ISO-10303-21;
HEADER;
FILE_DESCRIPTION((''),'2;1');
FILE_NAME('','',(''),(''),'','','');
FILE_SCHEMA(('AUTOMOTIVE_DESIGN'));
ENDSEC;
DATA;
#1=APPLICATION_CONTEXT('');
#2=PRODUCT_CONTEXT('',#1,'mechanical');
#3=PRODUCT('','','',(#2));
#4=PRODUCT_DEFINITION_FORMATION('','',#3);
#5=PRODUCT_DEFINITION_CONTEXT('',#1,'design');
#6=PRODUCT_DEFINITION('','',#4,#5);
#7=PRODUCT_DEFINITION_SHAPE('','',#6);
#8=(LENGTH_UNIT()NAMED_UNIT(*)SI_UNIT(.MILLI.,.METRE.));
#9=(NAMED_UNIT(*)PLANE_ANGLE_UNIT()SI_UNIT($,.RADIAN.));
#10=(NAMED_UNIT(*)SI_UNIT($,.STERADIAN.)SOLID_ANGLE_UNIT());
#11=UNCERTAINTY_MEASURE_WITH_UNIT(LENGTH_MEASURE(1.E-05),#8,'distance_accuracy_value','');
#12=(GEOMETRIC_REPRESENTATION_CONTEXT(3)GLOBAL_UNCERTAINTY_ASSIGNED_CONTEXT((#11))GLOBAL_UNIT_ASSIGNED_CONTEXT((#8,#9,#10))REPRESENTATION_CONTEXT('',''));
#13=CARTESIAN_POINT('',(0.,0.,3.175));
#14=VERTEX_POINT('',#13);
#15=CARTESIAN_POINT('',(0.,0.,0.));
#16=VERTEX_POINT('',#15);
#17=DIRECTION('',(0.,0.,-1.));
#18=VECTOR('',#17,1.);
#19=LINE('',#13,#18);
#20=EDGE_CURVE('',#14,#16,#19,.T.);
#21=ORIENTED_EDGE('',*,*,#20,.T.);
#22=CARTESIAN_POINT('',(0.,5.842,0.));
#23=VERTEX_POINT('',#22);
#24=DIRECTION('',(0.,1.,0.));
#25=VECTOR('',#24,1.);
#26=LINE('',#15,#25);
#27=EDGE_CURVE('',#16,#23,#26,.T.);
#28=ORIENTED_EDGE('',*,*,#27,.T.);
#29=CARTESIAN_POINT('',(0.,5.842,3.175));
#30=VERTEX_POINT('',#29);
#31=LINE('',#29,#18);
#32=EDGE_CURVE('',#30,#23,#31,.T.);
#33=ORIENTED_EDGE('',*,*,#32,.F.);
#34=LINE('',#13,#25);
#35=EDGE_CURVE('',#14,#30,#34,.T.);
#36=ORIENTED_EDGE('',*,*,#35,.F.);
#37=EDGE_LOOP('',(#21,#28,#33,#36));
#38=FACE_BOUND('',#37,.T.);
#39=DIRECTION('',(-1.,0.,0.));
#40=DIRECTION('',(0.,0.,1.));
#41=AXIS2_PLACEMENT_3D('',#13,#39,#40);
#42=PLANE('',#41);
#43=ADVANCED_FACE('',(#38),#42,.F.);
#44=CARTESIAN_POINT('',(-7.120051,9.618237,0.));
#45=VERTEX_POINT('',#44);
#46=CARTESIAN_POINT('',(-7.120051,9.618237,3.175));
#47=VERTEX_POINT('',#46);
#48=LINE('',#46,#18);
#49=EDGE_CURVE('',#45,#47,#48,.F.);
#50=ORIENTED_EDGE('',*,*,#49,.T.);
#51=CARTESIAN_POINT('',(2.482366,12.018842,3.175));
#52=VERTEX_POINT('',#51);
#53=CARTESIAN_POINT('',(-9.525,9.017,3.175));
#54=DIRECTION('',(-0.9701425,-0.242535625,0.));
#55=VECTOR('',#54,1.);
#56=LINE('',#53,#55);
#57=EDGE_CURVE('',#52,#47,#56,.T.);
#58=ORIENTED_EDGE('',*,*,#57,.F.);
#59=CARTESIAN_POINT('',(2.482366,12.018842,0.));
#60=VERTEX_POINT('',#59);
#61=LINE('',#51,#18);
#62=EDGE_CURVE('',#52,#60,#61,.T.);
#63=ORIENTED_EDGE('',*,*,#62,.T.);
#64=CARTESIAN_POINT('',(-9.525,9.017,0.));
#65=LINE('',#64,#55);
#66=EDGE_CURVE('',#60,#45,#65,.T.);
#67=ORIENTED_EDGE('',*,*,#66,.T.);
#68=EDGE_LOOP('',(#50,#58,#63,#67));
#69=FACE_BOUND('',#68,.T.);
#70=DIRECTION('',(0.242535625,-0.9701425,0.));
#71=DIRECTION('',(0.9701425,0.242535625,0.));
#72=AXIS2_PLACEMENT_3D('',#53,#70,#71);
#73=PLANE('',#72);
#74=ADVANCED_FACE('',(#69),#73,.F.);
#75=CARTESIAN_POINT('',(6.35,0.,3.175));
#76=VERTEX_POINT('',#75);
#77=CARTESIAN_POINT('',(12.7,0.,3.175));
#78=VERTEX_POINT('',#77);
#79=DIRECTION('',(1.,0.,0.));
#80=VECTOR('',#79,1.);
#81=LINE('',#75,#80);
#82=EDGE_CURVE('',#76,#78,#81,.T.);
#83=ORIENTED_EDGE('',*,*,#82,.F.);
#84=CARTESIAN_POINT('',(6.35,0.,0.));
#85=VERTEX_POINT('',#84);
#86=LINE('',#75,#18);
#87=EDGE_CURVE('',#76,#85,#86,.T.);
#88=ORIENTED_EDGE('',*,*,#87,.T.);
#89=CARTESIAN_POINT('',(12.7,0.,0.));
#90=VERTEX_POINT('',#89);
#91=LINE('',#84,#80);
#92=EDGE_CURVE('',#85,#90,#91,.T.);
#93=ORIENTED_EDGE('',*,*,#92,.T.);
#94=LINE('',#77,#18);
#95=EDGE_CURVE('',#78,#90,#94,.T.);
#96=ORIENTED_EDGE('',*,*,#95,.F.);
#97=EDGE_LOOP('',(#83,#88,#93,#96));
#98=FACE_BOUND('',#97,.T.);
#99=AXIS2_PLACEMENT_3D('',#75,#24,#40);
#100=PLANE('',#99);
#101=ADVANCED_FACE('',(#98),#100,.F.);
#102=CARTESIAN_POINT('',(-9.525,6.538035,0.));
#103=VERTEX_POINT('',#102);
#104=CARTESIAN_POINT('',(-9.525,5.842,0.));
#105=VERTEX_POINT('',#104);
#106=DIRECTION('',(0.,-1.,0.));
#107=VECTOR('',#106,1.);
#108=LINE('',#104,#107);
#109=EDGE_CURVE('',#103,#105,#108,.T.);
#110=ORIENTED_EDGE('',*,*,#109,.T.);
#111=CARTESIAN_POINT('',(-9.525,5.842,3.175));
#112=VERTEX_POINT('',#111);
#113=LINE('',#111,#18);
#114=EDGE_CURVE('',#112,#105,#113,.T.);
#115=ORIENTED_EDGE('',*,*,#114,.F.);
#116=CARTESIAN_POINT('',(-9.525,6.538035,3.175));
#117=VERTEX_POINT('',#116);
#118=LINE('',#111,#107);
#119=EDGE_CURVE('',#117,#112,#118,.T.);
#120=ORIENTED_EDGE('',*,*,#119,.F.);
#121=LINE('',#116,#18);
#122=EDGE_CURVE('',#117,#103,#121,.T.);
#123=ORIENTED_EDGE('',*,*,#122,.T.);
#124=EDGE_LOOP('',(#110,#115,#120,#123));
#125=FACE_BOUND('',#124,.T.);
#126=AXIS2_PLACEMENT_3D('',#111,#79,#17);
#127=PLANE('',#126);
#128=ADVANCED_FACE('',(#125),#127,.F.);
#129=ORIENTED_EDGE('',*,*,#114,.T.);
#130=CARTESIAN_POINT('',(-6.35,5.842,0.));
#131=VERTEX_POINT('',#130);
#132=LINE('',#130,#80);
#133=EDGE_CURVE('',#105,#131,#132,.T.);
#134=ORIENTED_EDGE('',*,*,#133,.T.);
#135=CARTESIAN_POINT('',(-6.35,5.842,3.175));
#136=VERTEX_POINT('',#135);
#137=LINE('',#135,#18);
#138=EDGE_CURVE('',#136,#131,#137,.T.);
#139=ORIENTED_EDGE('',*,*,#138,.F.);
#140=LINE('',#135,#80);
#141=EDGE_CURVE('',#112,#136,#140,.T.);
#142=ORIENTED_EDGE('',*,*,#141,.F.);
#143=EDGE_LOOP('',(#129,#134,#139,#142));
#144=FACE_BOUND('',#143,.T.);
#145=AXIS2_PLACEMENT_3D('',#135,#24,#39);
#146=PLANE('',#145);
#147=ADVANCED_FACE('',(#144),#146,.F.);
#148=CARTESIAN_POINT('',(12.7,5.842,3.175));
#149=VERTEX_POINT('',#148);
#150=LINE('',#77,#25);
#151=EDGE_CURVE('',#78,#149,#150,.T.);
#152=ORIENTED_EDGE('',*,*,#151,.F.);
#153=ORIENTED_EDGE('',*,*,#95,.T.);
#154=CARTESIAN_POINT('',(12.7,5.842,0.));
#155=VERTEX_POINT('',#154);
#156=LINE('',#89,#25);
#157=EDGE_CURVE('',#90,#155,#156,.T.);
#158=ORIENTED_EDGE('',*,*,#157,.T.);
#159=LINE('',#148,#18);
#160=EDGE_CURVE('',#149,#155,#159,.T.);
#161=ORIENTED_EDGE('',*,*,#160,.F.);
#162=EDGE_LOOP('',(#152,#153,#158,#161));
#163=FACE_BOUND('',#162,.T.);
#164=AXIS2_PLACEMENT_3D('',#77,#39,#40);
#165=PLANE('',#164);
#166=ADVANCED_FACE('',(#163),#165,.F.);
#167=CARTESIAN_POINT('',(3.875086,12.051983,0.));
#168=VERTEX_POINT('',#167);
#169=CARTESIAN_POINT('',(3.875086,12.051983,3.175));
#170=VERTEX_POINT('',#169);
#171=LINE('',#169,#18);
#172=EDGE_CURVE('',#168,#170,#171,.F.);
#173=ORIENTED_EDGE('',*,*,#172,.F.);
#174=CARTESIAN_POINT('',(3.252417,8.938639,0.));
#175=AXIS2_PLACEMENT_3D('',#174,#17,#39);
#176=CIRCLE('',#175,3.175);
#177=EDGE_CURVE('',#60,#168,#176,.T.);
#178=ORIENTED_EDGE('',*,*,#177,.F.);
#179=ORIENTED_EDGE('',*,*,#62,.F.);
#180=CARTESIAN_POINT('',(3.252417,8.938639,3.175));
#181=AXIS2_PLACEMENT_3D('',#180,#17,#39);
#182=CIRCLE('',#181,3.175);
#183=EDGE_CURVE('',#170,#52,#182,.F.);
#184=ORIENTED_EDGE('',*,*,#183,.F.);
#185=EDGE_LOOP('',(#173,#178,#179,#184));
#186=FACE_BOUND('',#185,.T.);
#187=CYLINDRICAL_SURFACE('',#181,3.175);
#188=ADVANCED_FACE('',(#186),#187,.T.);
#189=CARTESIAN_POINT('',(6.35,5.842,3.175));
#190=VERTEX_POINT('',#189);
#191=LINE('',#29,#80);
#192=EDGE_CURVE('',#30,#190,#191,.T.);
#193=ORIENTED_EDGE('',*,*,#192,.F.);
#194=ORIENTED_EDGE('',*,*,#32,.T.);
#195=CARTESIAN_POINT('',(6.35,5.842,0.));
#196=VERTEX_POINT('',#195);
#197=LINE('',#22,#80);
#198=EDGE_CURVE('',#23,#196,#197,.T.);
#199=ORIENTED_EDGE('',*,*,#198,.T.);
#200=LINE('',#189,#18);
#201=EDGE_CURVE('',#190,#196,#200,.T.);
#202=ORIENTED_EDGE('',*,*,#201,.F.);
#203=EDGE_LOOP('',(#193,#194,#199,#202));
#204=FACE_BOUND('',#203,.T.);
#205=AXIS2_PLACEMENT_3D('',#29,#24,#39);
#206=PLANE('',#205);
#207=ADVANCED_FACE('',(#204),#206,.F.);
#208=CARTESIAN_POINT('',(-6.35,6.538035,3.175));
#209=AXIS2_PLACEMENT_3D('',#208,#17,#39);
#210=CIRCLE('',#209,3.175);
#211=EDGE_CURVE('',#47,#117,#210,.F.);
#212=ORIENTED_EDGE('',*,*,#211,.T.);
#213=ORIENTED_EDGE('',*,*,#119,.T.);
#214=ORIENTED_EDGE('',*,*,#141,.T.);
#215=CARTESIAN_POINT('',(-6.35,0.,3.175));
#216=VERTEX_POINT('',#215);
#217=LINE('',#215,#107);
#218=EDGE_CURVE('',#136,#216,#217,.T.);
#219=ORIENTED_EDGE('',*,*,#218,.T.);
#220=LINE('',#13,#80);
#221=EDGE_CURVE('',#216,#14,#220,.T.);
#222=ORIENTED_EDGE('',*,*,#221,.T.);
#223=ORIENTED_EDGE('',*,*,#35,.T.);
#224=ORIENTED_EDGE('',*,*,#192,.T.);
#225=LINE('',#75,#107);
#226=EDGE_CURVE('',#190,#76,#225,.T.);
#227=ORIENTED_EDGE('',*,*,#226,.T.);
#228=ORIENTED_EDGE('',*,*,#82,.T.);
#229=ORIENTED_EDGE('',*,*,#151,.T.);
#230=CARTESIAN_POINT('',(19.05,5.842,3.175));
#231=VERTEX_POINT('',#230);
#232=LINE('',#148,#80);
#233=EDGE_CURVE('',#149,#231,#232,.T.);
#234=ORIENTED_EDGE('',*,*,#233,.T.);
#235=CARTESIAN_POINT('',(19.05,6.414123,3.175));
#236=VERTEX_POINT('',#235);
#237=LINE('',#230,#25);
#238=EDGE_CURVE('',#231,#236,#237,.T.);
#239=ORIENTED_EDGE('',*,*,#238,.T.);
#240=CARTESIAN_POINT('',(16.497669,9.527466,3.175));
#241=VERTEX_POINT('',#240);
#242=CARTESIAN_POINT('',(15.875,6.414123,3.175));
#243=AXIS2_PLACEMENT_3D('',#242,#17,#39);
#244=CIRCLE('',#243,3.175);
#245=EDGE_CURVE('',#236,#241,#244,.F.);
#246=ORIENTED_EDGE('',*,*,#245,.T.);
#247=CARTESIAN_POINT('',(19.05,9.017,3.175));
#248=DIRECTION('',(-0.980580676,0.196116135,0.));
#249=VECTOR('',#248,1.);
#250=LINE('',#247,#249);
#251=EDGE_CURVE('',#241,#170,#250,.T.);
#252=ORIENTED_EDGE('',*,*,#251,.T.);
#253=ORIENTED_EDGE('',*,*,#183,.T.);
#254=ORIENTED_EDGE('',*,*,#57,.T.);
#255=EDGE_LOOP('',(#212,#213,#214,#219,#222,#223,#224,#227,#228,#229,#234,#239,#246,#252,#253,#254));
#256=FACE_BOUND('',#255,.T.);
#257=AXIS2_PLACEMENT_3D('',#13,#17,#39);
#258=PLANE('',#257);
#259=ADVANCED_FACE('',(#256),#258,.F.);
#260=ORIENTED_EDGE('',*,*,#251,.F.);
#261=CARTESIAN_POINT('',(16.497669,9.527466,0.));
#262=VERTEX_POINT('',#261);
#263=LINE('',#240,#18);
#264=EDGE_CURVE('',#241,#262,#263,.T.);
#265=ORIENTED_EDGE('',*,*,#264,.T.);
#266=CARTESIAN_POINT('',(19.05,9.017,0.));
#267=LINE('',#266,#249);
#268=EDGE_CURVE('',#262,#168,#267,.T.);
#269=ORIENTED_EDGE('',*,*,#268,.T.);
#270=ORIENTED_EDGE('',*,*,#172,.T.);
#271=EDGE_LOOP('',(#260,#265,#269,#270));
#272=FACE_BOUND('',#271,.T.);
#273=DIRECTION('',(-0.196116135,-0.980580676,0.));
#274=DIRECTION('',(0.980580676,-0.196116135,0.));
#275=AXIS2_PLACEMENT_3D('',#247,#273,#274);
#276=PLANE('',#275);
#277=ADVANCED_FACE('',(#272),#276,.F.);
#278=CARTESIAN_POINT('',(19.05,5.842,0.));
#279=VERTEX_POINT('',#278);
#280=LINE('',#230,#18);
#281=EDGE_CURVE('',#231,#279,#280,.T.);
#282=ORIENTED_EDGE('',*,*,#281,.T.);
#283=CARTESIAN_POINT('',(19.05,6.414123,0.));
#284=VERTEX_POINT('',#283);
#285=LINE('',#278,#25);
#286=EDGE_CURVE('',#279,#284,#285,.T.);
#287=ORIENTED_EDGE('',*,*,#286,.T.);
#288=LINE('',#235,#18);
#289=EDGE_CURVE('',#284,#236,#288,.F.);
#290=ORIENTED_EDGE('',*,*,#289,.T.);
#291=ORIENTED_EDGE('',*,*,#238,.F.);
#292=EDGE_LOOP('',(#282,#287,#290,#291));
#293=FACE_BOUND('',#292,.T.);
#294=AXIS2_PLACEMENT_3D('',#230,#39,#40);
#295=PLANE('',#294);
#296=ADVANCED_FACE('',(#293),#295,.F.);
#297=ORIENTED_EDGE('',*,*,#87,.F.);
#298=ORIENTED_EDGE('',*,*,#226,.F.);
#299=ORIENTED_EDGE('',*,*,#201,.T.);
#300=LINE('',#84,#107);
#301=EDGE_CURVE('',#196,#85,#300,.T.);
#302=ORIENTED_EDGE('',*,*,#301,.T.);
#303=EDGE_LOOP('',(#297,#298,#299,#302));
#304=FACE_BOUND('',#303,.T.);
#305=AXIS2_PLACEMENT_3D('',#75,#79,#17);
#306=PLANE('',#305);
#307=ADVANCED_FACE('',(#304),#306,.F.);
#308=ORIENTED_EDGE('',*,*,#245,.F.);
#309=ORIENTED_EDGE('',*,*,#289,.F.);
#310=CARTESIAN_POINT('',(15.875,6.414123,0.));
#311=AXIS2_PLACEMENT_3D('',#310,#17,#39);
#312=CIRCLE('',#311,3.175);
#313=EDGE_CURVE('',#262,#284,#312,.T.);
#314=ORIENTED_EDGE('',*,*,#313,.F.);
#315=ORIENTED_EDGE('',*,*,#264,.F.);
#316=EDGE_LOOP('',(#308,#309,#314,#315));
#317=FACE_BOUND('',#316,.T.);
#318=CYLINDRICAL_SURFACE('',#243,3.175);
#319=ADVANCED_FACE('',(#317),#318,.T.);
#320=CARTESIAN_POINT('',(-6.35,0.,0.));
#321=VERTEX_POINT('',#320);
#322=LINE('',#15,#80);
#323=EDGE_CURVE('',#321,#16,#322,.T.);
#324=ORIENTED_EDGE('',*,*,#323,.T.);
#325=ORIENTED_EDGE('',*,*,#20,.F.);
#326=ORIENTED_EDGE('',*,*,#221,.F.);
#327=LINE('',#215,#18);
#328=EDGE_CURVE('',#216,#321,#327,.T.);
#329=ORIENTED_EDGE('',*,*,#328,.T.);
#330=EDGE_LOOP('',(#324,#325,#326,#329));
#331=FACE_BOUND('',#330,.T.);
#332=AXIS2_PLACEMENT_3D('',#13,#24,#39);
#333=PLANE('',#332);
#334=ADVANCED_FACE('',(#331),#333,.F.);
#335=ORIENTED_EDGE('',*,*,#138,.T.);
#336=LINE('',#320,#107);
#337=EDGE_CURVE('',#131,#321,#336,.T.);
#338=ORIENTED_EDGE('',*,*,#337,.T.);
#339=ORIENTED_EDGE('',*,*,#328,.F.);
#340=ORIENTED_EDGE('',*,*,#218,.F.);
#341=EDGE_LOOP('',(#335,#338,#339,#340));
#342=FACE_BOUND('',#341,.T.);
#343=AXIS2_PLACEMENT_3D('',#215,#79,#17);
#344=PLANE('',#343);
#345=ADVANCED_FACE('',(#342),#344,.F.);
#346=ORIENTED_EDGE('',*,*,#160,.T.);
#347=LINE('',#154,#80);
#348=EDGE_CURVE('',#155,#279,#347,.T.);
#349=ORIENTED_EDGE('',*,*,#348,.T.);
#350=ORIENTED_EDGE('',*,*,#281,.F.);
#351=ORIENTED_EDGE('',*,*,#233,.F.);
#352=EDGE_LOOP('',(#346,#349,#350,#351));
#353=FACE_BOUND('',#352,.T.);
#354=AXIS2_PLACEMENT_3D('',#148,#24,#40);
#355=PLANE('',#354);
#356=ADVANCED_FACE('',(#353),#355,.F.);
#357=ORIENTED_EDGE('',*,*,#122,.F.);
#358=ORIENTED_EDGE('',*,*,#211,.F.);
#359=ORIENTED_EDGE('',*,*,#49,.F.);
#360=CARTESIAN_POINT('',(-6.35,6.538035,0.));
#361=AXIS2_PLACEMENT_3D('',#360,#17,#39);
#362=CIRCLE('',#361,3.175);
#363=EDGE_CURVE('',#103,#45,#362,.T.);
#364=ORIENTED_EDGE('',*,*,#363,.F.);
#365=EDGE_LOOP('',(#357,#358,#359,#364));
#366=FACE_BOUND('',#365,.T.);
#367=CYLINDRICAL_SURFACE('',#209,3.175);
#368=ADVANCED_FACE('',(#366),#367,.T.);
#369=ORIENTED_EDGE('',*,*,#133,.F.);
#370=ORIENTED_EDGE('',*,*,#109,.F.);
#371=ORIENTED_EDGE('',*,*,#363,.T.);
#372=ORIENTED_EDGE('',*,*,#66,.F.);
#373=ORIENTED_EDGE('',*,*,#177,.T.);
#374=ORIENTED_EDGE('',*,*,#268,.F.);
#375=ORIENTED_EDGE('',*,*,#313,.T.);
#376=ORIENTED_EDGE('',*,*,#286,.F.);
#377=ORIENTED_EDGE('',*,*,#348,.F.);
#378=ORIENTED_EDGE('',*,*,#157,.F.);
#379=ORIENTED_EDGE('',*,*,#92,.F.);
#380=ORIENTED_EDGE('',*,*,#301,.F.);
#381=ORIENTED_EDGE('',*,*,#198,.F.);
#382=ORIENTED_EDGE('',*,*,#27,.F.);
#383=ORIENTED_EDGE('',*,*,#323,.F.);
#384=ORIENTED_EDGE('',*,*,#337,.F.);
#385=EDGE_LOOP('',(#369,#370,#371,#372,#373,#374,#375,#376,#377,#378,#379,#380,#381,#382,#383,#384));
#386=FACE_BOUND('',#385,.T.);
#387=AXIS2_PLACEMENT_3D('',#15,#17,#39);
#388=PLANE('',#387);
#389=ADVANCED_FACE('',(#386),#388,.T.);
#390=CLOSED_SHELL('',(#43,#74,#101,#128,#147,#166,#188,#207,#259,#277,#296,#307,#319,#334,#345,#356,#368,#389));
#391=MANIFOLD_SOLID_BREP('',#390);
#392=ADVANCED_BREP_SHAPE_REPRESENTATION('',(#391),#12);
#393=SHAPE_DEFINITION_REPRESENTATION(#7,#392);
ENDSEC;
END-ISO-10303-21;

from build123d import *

# Parameters (mm, degrees)
BOSS_EXTRUDE1_DEPTH = 3.175
FILLET1_R           = 3.175


with BuildPart() as part:
    # Sketch1 → Boss-Extrude1 (new body)
    with BuildSketch(Plane.XY):
        Polygon((0, 5.842), (6.35, 5.842), (6.35, 0), (12.7, 0), (12.7, 5.842), (19.05, 5.842), (19.05, 9.017), (3.175, 12.192), (-9.525, 9.017), (-9.525, 5.842), (-6.35, 5.842), (-6.35, 0), (0, 0), align=None)
    extrude(amount=BOSS_EXTRUDE1_DEPTH)

    # Fillet1
    fillet1_edges = [part.edges().sort_by_distance(p)[0] for p in [
        (-9.525, 9.017, 1.5875),
        (3.175, 12.192, 1.5875),
        (19.05, 9.017, 1.5875),
    ]]
    fillet(fillet1_edges, radius=FILLET1_R)


solid = part.part
